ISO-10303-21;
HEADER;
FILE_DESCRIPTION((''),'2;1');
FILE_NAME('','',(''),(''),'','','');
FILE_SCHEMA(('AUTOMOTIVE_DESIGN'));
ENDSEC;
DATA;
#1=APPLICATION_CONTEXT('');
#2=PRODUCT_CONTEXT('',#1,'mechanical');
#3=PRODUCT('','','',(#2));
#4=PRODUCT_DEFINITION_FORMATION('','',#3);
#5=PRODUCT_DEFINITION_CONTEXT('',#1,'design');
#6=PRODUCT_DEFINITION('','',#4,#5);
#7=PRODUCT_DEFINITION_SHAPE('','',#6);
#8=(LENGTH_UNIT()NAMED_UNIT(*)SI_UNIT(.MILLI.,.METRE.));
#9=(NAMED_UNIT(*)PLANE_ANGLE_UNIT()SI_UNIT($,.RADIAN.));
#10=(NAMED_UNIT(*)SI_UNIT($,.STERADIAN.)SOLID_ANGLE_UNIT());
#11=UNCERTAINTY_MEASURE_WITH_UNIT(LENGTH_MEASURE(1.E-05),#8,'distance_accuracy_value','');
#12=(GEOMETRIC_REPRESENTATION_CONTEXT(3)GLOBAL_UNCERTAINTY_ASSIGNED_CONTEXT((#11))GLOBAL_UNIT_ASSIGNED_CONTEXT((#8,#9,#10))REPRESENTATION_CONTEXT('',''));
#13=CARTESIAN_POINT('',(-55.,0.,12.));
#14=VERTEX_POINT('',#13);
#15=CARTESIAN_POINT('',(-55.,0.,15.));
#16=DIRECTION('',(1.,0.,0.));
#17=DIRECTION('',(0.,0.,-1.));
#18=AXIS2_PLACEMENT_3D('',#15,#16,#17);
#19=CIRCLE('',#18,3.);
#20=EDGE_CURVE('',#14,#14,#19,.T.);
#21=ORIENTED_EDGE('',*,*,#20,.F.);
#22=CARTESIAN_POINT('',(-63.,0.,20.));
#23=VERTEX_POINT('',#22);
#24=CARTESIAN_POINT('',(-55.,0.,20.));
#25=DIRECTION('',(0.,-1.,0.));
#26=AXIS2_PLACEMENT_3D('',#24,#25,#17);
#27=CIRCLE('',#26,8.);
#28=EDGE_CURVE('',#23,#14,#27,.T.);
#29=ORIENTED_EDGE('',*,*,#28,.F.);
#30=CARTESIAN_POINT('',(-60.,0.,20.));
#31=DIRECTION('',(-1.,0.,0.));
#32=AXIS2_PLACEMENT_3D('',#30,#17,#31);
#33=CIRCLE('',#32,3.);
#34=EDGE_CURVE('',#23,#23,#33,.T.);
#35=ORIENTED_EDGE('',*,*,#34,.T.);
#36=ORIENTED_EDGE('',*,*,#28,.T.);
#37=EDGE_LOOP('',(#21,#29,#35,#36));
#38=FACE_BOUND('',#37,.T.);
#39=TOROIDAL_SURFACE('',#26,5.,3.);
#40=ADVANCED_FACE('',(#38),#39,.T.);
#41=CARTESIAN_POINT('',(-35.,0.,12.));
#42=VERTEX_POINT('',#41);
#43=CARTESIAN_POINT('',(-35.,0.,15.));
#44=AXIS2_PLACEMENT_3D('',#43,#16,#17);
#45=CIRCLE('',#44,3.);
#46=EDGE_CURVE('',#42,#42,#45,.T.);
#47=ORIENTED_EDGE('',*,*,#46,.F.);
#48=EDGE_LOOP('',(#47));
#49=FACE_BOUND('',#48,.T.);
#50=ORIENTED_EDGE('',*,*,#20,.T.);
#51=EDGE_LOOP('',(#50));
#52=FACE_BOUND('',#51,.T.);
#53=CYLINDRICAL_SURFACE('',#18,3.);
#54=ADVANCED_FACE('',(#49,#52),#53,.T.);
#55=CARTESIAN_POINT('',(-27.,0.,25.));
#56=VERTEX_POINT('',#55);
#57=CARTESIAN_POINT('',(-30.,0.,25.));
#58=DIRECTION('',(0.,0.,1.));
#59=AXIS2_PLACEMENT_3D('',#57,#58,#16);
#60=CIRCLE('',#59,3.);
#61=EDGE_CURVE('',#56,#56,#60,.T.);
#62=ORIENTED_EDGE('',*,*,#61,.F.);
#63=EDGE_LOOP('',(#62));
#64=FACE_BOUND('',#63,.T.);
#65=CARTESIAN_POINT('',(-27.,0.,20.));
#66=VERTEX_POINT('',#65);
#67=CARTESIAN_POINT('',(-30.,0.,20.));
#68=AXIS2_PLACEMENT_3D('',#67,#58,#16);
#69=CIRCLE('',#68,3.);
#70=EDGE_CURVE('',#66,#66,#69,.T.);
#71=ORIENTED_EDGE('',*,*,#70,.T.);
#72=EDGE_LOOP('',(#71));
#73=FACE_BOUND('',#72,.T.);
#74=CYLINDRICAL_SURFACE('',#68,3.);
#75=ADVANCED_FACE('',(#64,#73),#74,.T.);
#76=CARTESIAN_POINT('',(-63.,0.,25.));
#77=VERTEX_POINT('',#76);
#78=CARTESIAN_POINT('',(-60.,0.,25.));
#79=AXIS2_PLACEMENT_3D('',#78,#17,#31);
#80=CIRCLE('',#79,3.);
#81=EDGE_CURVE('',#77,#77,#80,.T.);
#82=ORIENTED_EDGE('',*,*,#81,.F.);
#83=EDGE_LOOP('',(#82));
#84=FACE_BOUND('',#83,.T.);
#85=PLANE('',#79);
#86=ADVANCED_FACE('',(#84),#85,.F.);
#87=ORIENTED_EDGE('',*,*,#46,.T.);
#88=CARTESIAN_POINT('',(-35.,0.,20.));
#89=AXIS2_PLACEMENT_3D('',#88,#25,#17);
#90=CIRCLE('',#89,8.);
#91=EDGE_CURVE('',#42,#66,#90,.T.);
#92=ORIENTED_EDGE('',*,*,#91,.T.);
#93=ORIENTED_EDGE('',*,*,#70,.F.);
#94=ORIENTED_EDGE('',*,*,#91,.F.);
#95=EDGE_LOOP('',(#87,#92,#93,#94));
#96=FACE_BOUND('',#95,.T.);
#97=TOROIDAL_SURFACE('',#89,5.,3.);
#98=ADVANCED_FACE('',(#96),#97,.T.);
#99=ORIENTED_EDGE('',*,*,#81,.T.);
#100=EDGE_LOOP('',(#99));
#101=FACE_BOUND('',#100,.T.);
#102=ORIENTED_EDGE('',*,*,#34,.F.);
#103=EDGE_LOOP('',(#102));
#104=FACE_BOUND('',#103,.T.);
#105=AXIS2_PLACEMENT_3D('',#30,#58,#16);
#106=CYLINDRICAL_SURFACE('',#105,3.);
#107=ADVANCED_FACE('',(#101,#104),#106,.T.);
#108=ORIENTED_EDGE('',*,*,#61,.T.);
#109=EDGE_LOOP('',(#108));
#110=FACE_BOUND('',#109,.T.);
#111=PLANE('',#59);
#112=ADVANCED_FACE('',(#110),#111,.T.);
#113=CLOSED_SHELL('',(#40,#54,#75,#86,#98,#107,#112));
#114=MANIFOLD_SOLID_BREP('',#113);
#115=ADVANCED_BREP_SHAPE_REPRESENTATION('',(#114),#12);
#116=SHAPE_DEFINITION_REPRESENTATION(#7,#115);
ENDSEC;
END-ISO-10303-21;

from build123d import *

# Parameters (mm, degrees)
SZKIC2_R = 3


with BuildPart() as part:
    # Wyciągnięcie po ścieżce1: sweep along a path in Szkic1
    with BuildLine(Plane(origin=(0, 0, 0), x_dir=(1, 0, 0), z_dir=(0, 1, 0))) as wyci_gni_cie_po_cie_ce1_path:
        Line((-60, -25), (-60, -20))
        ThreePointArc((-60, -20), (-58.535533906, -16.464466094), (-55, -15))
        Line((-55, -15), (-35, -15))
        ThreePointArc((-35, -15), (-31.464466094, -16.464466094), (-30, -20))
        Line((-30, -20), (-30, -25))
    # Szkic2 → Wyciągnięcie po ścieżce1 (sweep)
    with BuildSketch(Plane(origin=(-60, 0, 25), x_dir=(-1, 0, 0), z_dir=(0, 0, -1))):
        Circle(SZKIC2_R)
    sweep(path=wyci_gni_cie_po_cie_ce1_path.line)


solid = part.part
